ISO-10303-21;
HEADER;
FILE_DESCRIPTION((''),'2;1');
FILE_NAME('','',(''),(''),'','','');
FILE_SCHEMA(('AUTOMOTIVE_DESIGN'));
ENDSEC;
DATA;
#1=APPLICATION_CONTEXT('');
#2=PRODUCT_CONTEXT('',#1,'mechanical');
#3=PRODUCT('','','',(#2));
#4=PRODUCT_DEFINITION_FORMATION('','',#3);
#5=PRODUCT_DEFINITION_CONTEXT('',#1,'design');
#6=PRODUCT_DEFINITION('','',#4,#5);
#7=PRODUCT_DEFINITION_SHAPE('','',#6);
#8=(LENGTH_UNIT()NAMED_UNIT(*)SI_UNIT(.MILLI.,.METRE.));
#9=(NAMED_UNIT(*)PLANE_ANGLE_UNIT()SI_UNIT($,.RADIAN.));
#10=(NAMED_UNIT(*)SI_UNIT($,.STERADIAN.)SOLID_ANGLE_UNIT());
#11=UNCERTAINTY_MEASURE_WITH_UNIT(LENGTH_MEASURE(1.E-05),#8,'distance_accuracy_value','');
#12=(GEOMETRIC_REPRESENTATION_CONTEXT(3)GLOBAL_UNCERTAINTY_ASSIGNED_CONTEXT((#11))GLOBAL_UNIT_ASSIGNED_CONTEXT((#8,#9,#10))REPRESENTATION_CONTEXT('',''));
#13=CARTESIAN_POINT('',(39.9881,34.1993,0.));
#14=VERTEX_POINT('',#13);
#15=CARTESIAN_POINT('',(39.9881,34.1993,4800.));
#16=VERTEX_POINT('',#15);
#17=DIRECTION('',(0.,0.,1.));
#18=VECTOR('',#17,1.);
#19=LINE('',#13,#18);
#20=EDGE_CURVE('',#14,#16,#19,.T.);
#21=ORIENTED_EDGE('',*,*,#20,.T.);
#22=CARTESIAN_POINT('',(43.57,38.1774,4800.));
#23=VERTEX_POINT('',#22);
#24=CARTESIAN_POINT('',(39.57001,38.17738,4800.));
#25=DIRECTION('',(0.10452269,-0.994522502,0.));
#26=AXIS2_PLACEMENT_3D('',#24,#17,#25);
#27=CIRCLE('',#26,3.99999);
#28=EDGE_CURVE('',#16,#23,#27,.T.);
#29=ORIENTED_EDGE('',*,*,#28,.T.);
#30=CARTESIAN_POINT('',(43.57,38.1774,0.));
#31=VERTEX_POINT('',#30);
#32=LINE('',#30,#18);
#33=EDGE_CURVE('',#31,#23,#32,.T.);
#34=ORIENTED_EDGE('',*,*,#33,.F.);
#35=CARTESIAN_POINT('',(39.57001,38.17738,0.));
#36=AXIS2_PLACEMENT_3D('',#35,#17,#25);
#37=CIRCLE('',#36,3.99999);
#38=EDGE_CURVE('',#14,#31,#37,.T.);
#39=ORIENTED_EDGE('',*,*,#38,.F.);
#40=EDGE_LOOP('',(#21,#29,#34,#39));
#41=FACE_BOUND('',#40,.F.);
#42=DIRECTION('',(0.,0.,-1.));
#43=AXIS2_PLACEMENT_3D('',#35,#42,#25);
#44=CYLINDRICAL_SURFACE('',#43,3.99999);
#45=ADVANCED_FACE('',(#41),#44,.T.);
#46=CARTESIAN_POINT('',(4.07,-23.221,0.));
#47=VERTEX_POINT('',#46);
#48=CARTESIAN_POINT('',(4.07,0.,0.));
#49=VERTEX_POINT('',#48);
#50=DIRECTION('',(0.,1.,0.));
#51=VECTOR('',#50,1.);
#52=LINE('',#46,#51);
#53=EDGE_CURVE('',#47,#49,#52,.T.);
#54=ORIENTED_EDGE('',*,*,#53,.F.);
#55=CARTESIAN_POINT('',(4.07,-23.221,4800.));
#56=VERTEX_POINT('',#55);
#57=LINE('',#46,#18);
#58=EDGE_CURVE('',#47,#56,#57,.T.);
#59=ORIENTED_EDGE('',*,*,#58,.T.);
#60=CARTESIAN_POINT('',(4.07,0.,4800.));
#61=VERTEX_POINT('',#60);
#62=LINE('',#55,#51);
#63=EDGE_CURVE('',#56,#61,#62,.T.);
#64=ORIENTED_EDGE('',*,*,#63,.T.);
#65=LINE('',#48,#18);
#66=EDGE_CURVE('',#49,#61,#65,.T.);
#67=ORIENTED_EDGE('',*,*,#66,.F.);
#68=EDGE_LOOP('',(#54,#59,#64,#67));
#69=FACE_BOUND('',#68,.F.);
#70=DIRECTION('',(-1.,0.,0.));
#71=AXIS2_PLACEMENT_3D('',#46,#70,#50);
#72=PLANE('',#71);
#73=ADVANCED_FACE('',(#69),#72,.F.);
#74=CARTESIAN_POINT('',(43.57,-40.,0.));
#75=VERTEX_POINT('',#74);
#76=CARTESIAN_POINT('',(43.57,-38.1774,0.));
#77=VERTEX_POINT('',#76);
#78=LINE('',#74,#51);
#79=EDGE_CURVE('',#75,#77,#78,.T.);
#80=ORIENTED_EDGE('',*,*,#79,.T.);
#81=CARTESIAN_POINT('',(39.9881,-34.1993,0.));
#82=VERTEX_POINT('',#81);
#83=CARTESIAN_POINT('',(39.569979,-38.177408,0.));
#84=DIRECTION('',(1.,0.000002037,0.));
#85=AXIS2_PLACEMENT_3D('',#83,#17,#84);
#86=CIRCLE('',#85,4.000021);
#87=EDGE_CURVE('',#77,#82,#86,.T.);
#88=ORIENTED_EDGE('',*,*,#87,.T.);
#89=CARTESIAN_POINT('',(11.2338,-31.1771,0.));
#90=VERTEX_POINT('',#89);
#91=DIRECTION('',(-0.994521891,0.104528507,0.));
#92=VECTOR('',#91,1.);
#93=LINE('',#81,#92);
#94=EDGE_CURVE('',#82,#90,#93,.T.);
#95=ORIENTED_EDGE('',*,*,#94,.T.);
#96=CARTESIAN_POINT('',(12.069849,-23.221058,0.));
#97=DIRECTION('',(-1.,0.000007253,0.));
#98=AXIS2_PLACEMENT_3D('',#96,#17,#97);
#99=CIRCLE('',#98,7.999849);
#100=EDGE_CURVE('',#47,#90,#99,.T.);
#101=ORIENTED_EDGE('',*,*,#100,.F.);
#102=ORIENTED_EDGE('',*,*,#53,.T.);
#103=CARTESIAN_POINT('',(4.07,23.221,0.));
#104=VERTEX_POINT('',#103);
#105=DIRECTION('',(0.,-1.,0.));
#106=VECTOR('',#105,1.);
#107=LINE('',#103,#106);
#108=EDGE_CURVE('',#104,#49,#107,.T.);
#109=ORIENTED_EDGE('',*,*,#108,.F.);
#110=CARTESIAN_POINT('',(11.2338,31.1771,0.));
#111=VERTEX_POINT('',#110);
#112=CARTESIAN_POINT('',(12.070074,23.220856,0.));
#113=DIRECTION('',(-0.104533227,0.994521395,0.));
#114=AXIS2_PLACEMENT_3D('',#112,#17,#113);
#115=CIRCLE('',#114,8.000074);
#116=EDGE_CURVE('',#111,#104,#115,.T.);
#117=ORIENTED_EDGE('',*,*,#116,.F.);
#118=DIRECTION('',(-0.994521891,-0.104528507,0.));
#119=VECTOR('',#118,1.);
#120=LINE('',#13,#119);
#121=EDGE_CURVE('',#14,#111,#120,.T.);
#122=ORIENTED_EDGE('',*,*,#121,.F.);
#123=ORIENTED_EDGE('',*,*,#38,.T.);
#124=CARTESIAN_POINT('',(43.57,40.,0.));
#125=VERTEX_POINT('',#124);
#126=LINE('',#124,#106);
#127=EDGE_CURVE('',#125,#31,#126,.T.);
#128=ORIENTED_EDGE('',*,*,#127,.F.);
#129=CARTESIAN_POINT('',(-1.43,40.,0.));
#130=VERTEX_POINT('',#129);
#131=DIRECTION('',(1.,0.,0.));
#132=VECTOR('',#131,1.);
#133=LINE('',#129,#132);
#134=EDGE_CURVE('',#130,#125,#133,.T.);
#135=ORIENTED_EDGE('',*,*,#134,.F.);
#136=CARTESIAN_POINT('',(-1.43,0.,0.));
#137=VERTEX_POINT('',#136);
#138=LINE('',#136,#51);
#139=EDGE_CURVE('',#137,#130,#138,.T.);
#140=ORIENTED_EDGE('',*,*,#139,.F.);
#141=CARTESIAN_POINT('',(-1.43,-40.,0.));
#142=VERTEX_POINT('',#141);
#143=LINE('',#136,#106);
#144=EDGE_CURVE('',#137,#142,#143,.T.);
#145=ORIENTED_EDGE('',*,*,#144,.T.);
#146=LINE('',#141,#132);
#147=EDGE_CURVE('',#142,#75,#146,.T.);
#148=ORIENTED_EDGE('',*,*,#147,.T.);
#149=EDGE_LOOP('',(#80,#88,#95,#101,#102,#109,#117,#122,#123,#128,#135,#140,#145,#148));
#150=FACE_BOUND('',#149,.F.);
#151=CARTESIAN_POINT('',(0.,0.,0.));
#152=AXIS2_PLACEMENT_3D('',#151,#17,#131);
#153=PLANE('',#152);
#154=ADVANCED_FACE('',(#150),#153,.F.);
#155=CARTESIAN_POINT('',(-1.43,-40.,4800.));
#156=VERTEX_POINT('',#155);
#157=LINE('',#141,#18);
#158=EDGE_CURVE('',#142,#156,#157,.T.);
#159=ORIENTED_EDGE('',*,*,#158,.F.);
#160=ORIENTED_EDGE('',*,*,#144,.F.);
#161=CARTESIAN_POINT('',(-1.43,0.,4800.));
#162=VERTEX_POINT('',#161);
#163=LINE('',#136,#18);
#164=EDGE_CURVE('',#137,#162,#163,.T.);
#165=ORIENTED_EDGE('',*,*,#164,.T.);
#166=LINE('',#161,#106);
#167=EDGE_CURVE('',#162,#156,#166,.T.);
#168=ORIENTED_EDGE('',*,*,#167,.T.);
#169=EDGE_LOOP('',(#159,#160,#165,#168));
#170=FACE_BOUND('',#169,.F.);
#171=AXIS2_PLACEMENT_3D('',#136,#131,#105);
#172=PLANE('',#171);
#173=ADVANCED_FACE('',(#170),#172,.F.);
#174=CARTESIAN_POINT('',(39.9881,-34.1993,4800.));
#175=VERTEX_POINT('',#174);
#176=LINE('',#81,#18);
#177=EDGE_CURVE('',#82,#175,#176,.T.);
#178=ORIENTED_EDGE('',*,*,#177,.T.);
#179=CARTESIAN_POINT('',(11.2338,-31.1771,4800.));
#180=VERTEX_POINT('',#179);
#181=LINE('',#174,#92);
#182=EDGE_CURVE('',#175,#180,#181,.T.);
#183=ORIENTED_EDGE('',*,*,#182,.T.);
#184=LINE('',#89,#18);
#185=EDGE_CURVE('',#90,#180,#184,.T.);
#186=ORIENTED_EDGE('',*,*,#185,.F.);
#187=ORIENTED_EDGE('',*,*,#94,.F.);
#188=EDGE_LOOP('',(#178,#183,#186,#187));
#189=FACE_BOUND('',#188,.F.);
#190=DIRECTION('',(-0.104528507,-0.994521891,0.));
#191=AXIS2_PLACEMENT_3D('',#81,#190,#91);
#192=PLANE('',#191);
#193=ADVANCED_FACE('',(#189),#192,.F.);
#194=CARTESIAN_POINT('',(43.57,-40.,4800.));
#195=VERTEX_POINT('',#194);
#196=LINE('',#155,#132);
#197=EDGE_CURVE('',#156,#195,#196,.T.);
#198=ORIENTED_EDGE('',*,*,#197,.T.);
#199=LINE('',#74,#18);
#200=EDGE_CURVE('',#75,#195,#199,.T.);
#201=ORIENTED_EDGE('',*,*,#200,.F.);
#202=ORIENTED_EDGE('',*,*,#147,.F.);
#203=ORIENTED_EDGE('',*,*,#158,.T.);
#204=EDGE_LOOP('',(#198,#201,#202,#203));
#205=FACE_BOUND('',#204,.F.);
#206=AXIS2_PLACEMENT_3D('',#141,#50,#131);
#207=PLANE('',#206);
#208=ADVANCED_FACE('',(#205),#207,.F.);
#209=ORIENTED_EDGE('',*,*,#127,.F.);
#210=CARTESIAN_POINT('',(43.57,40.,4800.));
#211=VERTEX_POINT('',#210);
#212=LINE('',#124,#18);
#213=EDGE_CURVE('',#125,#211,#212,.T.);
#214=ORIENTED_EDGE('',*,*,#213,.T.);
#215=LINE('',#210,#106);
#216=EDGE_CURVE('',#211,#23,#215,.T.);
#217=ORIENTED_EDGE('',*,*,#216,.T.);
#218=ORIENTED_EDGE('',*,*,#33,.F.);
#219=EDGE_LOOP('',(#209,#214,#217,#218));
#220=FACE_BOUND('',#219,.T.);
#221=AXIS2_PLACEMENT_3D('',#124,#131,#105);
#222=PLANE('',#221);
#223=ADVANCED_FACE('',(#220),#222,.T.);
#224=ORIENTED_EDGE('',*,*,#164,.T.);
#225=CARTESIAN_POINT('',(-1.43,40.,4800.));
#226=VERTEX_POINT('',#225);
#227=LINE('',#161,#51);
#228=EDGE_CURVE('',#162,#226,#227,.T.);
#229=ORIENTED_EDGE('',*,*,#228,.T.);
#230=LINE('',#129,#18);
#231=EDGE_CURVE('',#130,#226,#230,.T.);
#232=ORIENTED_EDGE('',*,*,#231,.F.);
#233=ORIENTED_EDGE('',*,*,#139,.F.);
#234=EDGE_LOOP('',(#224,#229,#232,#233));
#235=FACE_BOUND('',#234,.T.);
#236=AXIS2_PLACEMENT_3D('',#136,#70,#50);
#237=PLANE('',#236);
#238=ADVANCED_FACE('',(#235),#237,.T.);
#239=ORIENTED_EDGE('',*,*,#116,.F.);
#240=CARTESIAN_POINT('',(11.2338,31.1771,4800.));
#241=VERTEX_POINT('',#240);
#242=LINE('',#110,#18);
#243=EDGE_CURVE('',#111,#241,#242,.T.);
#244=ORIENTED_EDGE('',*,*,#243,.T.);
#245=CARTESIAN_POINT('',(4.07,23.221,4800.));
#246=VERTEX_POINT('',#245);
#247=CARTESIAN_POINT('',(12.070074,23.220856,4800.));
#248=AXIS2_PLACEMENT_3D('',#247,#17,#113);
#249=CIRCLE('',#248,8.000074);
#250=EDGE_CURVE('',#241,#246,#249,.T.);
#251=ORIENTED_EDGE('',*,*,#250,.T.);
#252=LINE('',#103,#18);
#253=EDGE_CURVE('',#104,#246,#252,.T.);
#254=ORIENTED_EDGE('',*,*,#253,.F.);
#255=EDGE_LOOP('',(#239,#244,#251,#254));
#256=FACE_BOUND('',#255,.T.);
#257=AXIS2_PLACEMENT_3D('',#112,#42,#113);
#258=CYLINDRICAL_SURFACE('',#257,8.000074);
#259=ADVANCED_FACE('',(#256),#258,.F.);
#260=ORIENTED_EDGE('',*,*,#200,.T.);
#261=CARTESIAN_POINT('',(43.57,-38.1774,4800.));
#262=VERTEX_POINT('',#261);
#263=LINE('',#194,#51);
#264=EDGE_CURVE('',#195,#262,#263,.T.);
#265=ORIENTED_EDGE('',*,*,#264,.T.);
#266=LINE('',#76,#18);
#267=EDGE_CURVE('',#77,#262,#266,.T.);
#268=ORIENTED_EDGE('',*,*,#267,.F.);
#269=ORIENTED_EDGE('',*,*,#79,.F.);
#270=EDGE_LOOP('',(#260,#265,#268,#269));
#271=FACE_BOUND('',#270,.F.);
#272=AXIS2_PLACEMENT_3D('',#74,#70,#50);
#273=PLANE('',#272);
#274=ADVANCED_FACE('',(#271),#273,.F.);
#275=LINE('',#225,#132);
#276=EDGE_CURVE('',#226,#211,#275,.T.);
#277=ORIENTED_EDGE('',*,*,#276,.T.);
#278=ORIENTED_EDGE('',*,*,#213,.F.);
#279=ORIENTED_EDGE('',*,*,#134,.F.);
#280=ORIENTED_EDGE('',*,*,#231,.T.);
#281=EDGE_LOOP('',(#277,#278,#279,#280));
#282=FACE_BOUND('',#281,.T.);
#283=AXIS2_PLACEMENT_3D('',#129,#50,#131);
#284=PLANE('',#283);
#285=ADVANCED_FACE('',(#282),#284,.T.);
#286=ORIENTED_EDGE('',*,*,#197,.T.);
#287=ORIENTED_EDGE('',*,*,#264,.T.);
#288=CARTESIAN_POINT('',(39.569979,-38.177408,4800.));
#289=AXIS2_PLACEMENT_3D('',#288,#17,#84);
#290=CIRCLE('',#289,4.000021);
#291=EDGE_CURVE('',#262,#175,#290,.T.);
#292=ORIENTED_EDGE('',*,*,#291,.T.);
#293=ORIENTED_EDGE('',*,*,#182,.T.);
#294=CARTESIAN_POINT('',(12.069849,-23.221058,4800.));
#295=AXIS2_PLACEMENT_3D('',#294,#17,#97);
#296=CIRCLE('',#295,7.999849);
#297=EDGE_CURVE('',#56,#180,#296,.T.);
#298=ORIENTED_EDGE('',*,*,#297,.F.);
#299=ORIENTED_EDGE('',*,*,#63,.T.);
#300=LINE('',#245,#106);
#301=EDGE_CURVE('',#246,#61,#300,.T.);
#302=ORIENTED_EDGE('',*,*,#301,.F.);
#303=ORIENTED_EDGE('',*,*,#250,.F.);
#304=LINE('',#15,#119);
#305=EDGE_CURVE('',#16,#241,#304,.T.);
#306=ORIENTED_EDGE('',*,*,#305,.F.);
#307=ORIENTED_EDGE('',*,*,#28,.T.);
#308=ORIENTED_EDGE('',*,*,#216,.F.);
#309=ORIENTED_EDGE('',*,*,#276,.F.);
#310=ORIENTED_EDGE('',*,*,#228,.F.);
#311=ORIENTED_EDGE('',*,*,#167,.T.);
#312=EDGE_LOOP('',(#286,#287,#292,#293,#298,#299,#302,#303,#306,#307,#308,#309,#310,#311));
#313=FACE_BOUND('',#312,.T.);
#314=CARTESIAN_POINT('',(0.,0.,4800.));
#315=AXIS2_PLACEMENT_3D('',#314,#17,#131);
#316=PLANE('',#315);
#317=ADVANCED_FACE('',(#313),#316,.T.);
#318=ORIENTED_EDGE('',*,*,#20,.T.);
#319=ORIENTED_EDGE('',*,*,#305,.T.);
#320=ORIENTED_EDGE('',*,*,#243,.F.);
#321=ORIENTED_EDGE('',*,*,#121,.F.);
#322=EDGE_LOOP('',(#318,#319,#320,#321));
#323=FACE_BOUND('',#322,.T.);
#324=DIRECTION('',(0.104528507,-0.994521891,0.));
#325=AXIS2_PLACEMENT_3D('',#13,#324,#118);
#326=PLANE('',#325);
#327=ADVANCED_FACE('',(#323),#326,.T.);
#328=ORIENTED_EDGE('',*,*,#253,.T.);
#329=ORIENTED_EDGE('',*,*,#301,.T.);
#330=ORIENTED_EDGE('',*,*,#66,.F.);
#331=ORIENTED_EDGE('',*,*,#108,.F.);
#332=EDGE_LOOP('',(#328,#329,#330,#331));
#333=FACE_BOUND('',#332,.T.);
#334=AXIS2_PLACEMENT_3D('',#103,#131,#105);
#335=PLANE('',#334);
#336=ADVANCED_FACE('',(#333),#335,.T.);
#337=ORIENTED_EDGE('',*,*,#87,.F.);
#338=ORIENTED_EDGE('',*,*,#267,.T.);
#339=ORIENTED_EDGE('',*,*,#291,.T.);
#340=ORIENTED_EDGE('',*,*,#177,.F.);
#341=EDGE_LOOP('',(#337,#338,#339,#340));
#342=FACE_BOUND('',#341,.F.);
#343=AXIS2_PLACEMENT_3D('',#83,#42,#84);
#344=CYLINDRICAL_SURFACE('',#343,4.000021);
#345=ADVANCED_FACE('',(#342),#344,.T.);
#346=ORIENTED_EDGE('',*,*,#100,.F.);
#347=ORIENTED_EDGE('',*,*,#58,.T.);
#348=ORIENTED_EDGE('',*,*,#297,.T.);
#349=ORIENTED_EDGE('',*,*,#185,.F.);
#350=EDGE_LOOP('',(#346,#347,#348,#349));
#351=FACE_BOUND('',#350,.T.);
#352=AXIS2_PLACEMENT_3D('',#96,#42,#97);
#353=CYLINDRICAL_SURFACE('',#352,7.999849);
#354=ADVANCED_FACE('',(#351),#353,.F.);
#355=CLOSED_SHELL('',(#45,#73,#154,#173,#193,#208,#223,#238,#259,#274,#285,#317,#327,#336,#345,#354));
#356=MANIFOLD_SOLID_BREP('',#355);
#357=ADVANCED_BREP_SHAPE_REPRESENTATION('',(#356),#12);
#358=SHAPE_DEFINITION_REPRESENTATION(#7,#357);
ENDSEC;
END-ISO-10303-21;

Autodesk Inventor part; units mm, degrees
ref_plane "YZ Plane" through (0, 0, 0) normal (1, 0, 0) x (0, 1, 0)
ref_plane "Start plane" through (0, 0, 0) normal (0, 0, 1) x (1, 0, 0)
ref_plane "End plane" through (0, 0, 4800) normal (0, 0, 1) x (1, 0, 0)
sketch "Sketch" plane through (0, 0, 0) normal (0, 0, 1) x (1, 0, 0)
  line L0 (-1.43, 0) -> (-1.43, 40)
  line L1 (-1.43, 40) -> (43.57, 40)
  line L2 (43.57, 40) -> (43.57, 38.1774)
  line L3 (39.9881, 34.1993) -> (11.2338, 31.1771)
  line L4 (4.07, 23.221) -> (4.07, 0)
  line L5 (4.07, 0) -> (-1.43, 0) construction
  line L6 (23.82, 40) -> (23.82, 32.5) construction
  line L7 (43.57, 34.5758) -> (43.57, 32.5) construction
  line L8 (43.57, 32.5) -> (23.82, 32.5) construction
  line L9 (0, 15) -> (0, -27) construction
  line L10 (-5.539, 0) -> (16.0067, 0) construction
  line L11 (-1.43, 0) -> (-1.43, -40)
  line L12 (-1.43, -40) -> (43.57, -40)
  line L13 (43.57, -40) -> (43.57, -38.1774)
  line L14 (39.9881, -34.1993) -> (11.2338, -31.1771)
  line L15 (4.07, -23.221) -> (4.07, 0)
  arc A0 (11.2338, 31.1771) -> (4.07, 23.221) centre (12.07, 23.221) ccw
  arc A1 (4.07, -23.221) -> (11.2338, -31.1771) centre (12.07, -23.221) ccw
  arc A2 (39.9881, 34.1993) -> (43.57, 38.1774) centre (39.57, 38.1774) ccw
  arc A3 (43.57, -38.1774) -> (39.9881, -34.1993) centre (39.57, -38.1774) ccw
  line L16 (0, 23.4) -> (0, -35.4) construction
  line L17 (-9.8481, 0) -> (20.3158, 0) construction
  point P0 (4.07, 30.4242)
  point P1 (43.57, -34.5758)
  point P2 (4.07, -30.4242)
  point P3 (23.82, -40)
  point P4 (23.82, -32.5)
  dimension "d0" = 5.5
  dimension "d1" = 40
  dimension "d2" = 45
  dimension "d3" = 7.5
  dimension "d4" = 19.75
  dimension "d5" = 2.0758
  dimension "d23" = 8
  dimension "d24" = 4
  dimension "d25" = 1.43
extrude "Body" add sketch "Sketch" along normal up to surface (4800 mm away) from surface at 0
sketch "Sketch3" plane through (0, 0, 0) normal (0, 0, 1) x (1, 0, 0)
  line L0 (0, 0) -> (10, 0)
ref_plane "Work Plane3" through (0, 0, 0) normal (0, -1, 0) x (1, 0, 0)
sketch "Sketch4" plane through (0, 0, 0) normal (0, -1, 0) x (1, 0, 0)
  line L0 (-2, 0) -> (12, 0) projected
  line L1 (-2, 4800) -> (12, 4800) projected
  dimension "d29" = 4800
equation "\"d0\" = G_T"
equation "\"d1\" = 0.5 * G_H"
equation "\"d2\" = G_W"
equation "\"d3\" = G_T1"
equation "\"d4\" = G_C"
equation "\"d23\" = G_IR"
equation "\"d24\" = G_ER"
equation "\"d25\" = ex"
equation "\"d6\" = G_L"
equation "\"G_W\" = 45"
equation "\"G_T\" = 5.5"
equation "\"G_T1\" = 7.5"
equation "\"G_NG\" = 0.105104"
equation "\"G_ER\" = 4"
equation "\"G_IR\" = 8"
equation "\"G_C\" = 19.75"
equation "\"G_L\" = d29"
equation "\"ex\" = 1.43"
equation "\"G_OFFSET_START\" = 0"
equation "\"G_OFFSET_END\" = 0"
equation "\"G_H\" = 80"
properties part number "ISO 657/11 - CH 80 x 8 - 4800" material "Steel, Mild"
